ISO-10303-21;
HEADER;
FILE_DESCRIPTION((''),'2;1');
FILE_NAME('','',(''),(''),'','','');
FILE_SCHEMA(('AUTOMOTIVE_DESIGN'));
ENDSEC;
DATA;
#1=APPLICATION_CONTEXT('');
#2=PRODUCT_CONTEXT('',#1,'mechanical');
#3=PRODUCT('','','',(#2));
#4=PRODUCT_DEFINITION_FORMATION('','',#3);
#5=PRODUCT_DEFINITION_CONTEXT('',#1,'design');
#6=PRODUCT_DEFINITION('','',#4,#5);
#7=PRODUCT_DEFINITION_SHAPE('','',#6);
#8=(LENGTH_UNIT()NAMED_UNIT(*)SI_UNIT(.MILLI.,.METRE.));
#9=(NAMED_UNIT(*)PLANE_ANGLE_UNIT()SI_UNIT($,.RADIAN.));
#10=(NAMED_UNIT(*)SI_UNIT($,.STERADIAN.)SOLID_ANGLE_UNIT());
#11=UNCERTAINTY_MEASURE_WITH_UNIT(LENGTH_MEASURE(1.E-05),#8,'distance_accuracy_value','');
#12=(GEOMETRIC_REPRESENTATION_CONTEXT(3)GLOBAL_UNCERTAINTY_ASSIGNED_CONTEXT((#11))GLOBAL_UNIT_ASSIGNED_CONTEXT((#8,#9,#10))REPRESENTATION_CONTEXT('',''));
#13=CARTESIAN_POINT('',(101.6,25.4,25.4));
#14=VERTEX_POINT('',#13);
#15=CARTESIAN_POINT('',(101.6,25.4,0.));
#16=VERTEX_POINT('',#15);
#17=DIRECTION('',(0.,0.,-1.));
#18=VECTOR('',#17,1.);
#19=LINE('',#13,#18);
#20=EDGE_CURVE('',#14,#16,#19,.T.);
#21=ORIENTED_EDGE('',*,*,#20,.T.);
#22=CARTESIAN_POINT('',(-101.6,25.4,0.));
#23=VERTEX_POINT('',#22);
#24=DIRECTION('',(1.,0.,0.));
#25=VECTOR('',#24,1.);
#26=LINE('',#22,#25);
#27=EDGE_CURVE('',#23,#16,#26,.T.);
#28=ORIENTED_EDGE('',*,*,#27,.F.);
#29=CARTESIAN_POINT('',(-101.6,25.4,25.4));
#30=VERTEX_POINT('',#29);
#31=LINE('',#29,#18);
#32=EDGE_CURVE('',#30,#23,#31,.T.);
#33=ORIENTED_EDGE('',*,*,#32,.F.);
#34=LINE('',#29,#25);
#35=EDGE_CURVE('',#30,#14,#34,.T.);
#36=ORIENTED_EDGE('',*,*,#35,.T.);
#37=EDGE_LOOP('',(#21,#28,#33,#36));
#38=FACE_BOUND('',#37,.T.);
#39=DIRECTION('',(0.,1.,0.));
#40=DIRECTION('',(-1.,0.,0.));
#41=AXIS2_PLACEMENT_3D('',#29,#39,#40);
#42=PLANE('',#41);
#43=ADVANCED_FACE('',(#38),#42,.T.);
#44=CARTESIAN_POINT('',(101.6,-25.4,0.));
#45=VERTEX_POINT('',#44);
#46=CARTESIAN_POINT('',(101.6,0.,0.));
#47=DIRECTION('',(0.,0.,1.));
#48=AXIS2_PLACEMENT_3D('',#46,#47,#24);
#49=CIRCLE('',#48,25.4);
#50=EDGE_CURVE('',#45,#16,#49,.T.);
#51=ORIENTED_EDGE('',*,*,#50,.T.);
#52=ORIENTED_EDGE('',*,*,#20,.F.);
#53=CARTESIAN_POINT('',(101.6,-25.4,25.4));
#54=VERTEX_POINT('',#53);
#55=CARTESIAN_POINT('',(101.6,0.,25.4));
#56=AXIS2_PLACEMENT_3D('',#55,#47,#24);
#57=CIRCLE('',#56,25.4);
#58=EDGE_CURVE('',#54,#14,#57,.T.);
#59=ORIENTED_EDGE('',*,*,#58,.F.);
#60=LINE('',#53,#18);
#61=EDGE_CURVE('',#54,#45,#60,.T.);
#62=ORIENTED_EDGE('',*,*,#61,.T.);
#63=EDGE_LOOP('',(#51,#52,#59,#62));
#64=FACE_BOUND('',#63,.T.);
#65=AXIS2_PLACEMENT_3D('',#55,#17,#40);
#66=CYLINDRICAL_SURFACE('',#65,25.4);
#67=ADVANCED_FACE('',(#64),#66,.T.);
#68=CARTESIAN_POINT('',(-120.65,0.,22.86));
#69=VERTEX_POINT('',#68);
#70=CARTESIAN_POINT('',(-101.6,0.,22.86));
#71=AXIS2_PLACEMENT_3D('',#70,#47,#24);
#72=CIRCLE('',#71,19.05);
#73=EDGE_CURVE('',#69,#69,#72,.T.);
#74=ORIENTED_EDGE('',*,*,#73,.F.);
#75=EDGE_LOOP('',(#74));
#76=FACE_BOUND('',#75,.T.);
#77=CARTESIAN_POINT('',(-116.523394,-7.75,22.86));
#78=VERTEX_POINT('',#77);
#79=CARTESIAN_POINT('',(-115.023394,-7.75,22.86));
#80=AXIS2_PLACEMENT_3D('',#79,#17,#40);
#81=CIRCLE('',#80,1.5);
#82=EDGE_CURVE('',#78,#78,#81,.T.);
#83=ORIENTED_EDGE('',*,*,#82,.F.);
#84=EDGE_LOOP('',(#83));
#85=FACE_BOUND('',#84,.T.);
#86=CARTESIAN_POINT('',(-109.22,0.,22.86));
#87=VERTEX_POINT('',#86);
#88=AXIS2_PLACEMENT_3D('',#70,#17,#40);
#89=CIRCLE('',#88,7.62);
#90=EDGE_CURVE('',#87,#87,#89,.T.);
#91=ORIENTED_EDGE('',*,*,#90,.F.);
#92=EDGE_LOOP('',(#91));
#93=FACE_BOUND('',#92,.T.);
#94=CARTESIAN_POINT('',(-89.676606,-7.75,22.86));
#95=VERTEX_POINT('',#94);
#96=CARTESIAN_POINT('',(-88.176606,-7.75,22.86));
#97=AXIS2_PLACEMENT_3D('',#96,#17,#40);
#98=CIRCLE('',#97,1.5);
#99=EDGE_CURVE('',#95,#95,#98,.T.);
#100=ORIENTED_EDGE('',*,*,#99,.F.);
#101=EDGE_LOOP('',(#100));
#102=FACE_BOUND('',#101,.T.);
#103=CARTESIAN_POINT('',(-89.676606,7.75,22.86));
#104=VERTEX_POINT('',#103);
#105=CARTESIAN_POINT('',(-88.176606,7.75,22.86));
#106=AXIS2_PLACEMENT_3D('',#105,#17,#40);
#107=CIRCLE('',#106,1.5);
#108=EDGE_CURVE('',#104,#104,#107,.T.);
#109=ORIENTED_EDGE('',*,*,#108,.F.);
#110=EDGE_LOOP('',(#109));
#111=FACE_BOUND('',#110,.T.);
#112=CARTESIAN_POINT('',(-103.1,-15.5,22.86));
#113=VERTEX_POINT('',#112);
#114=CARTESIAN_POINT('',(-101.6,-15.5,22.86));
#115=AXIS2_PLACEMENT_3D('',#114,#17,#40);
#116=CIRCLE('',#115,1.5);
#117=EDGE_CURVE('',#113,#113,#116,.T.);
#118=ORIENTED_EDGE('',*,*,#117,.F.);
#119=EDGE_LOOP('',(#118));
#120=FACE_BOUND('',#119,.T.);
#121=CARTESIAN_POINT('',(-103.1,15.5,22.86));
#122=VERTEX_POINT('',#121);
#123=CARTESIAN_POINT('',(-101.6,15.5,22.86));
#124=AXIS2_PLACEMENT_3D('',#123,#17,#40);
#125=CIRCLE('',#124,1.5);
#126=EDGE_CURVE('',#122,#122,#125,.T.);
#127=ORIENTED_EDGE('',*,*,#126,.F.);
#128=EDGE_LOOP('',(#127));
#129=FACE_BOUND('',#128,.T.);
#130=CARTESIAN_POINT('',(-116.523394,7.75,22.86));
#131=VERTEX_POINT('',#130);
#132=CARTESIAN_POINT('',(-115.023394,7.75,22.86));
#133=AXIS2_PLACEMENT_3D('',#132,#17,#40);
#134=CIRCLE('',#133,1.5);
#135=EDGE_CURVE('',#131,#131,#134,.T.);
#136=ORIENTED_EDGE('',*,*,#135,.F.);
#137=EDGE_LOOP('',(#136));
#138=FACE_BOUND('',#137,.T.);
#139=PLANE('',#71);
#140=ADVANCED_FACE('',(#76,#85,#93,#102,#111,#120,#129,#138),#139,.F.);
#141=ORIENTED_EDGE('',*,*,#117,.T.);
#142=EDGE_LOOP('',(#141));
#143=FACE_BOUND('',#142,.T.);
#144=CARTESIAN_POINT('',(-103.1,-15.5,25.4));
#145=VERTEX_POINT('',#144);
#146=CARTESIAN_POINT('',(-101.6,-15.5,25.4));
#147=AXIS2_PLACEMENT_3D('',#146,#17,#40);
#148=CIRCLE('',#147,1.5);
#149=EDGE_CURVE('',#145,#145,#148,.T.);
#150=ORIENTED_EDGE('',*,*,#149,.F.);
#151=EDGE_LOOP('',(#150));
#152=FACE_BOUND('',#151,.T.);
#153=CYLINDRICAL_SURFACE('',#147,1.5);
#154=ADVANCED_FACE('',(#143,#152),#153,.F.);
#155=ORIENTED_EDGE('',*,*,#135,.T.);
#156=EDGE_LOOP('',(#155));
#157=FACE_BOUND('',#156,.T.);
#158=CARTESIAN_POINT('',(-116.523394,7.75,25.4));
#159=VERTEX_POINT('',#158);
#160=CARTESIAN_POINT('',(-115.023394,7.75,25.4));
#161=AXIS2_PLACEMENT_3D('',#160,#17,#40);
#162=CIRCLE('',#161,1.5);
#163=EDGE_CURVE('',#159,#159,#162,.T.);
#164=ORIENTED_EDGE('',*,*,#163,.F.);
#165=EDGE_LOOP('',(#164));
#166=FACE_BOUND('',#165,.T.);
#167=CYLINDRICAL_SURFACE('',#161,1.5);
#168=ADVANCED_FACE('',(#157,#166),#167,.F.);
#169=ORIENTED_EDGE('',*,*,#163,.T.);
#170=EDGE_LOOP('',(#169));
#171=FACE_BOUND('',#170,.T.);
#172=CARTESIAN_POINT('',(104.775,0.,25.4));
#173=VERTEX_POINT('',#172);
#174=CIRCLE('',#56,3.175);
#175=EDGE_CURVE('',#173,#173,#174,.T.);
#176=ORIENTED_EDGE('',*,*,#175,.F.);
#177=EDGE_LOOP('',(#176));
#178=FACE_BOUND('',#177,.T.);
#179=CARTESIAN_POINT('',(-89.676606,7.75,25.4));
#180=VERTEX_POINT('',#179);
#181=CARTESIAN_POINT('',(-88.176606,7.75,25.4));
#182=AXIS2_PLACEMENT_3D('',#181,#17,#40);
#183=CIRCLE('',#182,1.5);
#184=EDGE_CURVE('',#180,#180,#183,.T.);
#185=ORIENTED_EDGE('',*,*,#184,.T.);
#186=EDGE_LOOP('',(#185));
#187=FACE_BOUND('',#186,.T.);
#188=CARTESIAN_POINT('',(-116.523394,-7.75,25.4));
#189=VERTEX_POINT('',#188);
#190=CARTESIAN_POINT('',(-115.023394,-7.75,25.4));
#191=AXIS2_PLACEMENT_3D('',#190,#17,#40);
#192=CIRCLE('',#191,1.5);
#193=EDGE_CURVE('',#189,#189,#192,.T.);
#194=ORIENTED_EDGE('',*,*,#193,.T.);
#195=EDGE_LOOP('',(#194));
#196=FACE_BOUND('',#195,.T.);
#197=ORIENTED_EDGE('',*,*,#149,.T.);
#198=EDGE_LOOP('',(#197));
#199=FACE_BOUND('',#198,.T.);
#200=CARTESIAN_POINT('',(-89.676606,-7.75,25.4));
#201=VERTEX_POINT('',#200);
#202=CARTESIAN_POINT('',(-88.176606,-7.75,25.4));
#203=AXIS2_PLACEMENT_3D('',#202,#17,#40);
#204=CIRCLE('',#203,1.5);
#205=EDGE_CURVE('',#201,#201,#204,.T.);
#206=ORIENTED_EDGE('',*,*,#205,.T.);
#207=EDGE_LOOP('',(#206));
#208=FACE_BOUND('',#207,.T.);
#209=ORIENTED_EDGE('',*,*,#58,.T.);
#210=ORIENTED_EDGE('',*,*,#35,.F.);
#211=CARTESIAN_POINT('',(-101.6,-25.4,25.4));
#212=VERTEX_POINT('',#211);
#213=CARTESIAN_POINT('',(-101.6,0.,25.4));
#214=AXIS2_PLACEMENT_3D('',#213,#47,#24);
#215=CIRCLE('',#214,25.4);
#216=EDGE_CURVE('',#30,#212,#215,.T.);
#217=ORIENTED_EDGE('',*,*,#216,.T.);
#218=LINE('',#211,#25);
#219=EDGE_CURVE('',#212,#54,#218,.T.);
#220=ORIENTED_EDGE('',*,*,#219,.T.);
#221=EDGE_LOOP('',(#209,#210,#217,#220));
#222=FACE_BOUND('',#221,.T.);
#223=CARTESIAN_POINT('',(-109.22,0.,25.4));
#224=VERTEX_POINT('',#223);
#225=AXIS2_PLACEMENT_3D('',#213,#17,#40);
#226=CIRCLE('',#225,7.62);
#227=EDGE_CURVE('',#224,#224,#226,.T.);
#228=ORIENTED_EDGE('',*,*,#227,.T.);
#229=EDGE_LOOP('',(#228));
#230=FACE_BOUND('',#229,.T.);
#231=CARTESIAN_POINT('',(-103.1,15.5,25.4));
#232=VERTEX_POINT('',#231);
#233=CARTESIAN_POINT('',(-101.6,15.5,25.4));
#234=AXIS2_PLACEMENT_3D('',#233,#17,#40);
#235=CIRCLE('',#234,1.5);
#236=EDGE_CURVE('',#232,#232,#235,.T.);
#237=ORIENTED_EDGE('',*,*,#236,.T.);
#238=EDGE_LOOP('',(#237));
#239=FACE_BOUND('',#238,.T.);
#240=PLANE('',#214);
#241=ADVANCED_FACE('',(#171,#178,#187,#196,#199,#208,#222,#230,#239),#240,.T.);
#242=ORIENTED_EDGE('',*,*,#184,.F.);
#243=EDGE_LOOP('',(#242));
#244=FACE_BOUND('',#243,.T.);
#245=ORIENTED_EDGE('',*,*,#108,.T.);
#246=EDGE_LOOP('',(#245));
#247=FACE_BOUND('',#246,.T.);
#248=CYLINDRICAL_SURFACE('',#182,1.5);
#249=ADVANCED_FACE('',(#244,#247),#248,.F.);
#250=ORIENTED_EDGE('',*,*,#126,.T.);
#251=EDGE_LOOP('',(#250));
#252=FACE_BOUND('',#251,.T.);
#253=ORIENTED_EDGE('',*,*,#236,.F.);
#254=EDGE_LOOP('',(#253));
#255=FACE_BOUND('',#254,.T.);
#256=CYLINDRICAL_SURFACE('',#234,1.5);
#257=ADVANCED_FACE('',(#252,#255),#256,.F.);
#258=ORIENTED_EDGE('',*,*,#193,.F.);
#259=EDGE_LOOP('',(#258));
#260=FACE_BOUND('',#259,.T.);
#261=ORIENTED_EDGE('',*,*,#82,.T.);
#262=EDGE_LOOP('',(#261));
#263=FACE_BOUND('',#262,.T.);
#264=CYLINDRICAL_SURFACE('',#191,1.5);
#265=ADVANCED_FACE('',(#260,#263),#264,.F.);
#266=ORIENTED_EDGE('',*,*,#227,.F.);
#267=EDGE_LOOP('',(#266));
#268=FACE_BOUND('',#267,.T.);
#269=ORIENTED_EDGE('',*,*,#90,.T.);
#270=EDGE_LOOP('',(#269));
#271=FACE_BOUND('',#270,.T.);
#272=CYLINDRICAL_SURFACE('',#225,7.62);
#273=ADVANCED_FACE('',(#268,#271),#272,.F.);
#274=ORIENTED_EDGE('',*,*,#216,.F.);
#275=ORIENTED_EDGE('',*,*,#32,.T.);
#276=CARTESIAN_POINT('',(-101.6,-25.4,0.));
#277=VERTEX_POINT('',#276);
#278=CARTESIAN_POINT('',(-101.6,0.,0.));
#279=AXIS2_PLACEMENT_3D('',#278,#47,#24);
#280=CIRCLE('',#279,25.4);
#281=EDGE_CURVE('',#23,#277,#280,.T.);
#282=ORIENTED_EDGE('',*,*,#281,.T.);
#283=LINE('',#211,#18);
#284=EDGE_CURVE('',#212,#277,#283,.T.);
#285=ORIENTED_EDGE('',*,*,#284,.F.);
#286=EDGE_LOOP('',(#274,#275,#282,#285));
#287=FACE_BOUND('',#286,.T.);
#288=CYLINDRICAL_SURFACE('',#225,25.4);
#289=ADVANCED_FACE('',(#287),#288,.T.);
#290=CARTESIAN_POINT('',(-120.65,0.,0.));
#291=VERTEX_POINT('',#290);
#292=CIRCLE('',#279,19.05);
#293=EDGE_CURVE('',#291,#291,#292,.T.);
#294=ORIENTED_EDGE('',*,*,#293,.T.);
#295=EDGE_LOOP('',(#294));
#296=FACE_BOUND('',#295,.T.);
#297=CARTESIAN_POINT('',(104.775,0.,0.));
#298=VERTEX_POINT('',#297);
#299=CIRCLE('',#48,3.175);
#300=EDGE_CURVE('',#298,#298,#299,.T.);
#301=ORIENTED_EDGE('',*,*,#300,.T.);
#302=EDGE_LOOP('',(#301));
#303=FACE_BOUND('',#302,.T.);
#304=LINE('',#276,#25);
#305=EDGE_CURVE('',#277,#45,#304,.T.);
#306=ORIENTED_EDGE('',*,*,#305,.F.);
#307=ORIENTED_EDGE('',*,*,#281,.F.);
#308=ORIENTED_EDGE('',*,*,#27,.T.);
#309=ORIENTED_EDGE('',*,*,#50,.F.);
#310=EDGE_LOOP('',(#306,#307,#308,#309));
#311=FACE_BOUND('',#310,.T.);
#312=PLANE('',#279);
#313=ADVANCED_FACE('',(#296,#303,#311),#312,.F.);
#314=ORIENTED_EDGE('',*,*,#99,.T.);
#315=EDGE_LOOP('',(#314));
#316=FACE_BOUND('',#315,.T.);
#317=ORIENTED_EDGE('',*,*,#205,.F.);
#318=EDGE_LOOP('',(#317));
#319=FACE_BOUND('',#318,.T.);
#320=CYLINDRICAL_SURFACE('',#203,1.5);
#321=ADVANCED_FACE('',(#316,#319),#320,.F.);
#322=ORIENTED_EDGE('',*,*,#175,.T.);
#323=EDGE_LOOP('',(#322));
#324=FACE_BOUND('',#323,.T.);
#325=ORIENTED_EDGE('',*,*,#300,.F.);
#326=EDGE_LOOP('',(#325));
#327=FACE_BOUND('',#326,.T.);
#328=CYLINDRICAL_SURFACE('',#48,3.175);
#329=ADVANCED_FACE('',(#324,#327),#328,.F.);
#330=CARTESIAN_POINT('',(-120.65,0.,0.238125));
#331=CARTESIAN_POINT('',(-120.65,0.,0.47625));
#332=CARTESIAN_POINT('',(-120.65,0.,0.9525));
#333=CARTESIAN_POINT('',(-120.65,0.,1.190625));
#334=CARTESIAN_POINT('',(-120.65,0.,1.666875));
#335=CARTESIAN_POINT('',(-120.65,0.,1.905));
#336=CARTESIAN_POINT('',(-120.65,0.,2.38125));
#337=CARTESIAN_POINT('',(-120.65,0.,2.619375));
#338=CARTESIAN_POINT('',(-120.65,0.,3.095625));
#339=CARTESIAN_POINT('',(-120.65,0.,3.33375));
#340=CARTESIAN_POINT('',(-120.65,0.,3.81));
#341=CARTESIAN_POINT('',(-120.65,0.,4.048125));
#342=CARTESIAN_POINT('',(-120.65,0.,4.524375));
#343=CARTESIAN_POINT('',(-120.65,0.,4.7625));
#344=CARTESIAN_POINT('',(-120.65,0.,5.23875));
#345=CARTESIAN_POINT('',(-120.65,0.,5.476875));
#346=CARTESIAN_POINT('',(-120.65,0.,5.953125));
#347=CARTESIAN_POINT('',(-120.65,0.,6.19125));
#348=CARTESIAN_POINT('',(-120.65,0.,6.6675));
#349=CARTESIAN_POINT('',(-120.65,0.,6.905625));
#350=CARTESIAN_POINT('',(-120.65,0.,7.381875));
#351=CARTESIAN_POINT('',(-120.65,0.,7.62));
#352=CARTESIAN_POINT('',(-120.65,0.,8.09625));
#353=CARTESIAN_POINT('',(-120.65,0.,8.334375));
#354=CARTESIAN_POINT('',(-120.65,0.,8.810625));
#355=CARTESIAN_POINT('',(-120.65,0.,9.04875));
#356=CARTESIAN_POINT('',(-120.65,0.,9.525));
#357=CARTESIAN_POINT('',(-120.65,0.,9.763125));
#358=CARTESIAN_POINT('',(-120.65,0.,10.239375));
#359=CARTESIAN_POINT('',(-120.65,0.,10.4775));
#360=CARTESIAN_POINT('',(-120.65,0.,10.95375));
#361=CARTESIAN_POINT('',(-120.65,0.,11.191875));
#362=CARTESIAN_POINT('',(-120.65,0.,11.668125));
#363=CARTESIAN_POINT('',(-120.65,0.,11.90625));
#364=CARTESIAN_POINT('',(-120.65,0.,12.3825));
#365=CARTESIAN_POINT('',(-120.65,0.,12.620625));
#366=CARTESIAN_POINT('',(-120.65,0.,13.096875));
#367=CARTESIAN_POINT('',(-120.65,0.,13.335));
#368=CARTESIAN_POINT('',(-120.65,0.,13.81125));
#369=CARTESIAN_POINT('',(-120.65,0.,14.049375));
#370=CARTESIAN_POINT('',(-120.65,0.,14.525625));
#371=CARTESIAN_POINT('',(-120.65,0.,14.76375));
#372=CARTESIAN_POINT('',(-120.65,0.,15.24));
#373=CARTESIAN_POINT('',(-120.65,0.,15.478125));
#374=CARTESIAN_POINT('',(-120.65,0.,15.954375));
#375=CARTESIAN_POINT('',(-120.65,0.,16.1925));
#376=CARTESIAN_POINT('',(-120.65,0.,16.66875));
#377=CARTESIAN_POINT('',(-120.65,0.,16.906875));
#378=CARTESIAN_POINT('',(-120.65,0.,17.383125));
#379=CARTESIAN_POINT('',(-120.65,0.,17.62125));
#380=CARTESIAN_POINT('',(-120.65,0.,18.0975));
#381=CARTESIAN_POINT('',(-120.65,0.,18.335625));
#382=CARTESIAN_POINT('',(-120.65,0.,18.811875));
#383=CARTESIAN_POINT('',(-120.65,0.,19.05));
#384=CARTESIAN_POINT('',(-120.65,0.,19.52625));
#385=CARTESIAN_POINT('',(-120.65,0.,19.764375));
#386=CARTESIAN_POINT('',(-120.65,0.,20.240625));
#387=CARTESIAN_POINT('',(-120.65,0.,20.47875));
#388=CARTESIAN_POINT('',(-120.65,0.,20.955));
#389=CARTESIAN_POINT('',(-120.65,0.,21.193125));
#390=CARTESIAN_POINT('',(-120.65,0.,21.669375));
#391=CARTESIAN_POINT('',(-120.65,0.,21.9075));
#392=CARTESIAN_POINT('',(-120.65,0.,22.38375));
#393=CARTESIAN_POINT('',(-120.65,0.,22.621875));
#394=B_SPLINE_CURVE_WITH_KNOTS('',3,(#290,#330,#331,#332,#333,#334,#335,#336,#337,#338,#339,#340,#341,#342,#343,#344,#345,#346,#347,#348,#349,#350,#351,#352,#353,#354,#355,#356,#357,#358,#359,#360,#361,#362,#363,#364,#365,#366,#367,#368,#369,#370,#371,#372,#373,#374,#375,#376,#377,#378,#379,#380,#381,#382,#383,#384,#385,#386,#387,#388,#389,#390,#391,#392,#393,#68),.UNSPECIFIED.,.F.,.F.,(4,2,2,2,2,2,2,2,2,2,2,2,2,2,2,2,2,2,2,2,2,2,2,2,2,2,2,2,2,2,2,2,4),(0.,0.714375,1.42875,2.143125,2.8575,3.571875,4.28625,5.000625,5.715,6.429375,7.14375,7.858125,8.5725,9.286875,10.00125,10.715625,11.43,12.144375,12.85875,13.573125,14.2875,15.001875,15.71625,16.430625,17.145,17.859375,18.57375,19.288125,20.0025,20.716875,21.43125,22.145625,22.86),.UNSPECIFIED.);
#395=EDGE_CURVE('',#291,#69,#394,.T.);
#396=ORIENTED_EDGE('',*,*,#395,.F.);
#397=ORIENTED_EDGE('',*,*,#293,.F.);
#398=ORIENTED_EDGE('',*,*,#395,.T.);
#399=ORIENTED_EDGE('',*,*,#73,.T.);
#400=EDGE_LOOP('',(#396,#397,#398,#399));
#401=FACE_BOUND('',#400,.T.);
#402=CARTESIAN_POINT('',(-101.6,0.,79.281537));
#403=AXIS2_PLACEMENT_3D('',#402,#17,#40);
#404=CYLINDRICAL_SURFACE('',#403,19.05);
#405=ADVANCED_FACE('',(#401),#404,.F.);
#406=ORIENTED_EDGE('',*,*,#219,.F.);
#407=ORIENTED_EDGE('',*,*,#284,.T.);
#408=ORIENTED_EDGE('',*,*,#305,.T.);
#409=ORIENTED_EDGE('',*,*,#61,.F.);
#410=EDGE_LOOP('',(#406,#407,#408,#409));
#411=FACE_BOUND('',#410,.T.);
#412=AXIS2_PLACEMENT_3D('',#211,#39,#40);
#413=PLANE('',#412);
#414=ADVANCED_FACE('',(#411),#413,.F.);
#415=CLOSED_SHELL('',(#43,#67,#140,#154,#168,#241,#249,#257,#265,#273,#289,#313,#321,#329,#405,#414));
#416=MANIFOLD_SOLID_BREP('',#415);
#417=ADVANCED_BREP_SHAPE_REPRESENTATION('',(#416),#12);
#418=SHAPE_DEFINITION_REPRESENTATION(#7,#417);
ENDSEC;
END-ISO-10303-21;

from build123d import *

# Parameters (mm, degrees)
SKETCH1_R           = 25.4
SKETCH1_W           = 203.2
SKETCH1_H           = 50.8
BOSS_EXTRUDE1_DEPTH = 25.4
SKETCH2_R           = 19.05
CUT_EXTRUDE1_DEPTH  = 22.86
SKETCH4_R           = 7.62
SKETCH4_R_2         = 1.500000048
CUT_EXTRUDE2_DEPTH  = 132.517069615
SKETCH3_R           = 3.175
CUT_EXTRUDE3_DEPTH  = 132.982271537


with BuildPart() as part:
    # Sketch1 → Boss-Extrude1 (new body)
    with BuildSketch(Plane.XY):
        with Locations((-101.6, 0)):
            Circle(SKETCH1_R)
        with Locations((101.6, 0)):
            Circle(SKETCH1_R)
        Rectangle(SKETCH1_W, SKETCH1_H)
    extrude(amount=BOSS_EXTRUDE1_DEPTH)

    # Sketch2 → Cut-Extrude1 (cut)
    with BuildSketch(Plane.XY):
        with Locations(Location((-101.6, 0, 0), (0, 0, 180))):
            Circle(SKETCH2_R)
    extrude(amount=CUT_EXTRUDE1_DEPTH, mode=Mode.SUBTRACT)

    # Sketch4 → Cut-Extrude2 (cut, through all)
    with BuildSketch(Plane(origin=(0, 0, 22.86), x_dir=(-1, 0, 0), z_dir=(0, 0, -1))):
        with Locations((101.6, 0)):
            Circle(SKETCH4_R)
        with Locations((101.6, 15.499999988)):
            Circle(SKETCH4_R_2)
        with Locations((115.023393748, 7.749999994)):
            Circle(SKETCH4_R_2)
        with Locations((115.023393748, -7.749999994)):
            Circle(SKETCH4_R_2)
        with Locations((101.6, -15.499999988)):
            Circle(SKETCH4_R_2)
        with Locations((88.176606252, -7.749999994)):
            Circle(SKETCH4_R_2)
        with Locations((88.176606252, 7.749999994)):
            Circle(SKETCH4_R_2)
    extrude(amount=-CUT_EXTRUDE2_DEPTH, mode=Mode.SUBTRACT)

    # Sketch3 → Cut-Extrude3 (cut, through all)
    with BuildSketch(Plane.XY.offset(25.4)):
        with Locations((101.6, 0)):
            Circle(SKETCH3_R)
    extrude(amount=-CUT_EXTRUDE3_DEPTH, mode=Mode.SUBTRACT)


solid = part.part
